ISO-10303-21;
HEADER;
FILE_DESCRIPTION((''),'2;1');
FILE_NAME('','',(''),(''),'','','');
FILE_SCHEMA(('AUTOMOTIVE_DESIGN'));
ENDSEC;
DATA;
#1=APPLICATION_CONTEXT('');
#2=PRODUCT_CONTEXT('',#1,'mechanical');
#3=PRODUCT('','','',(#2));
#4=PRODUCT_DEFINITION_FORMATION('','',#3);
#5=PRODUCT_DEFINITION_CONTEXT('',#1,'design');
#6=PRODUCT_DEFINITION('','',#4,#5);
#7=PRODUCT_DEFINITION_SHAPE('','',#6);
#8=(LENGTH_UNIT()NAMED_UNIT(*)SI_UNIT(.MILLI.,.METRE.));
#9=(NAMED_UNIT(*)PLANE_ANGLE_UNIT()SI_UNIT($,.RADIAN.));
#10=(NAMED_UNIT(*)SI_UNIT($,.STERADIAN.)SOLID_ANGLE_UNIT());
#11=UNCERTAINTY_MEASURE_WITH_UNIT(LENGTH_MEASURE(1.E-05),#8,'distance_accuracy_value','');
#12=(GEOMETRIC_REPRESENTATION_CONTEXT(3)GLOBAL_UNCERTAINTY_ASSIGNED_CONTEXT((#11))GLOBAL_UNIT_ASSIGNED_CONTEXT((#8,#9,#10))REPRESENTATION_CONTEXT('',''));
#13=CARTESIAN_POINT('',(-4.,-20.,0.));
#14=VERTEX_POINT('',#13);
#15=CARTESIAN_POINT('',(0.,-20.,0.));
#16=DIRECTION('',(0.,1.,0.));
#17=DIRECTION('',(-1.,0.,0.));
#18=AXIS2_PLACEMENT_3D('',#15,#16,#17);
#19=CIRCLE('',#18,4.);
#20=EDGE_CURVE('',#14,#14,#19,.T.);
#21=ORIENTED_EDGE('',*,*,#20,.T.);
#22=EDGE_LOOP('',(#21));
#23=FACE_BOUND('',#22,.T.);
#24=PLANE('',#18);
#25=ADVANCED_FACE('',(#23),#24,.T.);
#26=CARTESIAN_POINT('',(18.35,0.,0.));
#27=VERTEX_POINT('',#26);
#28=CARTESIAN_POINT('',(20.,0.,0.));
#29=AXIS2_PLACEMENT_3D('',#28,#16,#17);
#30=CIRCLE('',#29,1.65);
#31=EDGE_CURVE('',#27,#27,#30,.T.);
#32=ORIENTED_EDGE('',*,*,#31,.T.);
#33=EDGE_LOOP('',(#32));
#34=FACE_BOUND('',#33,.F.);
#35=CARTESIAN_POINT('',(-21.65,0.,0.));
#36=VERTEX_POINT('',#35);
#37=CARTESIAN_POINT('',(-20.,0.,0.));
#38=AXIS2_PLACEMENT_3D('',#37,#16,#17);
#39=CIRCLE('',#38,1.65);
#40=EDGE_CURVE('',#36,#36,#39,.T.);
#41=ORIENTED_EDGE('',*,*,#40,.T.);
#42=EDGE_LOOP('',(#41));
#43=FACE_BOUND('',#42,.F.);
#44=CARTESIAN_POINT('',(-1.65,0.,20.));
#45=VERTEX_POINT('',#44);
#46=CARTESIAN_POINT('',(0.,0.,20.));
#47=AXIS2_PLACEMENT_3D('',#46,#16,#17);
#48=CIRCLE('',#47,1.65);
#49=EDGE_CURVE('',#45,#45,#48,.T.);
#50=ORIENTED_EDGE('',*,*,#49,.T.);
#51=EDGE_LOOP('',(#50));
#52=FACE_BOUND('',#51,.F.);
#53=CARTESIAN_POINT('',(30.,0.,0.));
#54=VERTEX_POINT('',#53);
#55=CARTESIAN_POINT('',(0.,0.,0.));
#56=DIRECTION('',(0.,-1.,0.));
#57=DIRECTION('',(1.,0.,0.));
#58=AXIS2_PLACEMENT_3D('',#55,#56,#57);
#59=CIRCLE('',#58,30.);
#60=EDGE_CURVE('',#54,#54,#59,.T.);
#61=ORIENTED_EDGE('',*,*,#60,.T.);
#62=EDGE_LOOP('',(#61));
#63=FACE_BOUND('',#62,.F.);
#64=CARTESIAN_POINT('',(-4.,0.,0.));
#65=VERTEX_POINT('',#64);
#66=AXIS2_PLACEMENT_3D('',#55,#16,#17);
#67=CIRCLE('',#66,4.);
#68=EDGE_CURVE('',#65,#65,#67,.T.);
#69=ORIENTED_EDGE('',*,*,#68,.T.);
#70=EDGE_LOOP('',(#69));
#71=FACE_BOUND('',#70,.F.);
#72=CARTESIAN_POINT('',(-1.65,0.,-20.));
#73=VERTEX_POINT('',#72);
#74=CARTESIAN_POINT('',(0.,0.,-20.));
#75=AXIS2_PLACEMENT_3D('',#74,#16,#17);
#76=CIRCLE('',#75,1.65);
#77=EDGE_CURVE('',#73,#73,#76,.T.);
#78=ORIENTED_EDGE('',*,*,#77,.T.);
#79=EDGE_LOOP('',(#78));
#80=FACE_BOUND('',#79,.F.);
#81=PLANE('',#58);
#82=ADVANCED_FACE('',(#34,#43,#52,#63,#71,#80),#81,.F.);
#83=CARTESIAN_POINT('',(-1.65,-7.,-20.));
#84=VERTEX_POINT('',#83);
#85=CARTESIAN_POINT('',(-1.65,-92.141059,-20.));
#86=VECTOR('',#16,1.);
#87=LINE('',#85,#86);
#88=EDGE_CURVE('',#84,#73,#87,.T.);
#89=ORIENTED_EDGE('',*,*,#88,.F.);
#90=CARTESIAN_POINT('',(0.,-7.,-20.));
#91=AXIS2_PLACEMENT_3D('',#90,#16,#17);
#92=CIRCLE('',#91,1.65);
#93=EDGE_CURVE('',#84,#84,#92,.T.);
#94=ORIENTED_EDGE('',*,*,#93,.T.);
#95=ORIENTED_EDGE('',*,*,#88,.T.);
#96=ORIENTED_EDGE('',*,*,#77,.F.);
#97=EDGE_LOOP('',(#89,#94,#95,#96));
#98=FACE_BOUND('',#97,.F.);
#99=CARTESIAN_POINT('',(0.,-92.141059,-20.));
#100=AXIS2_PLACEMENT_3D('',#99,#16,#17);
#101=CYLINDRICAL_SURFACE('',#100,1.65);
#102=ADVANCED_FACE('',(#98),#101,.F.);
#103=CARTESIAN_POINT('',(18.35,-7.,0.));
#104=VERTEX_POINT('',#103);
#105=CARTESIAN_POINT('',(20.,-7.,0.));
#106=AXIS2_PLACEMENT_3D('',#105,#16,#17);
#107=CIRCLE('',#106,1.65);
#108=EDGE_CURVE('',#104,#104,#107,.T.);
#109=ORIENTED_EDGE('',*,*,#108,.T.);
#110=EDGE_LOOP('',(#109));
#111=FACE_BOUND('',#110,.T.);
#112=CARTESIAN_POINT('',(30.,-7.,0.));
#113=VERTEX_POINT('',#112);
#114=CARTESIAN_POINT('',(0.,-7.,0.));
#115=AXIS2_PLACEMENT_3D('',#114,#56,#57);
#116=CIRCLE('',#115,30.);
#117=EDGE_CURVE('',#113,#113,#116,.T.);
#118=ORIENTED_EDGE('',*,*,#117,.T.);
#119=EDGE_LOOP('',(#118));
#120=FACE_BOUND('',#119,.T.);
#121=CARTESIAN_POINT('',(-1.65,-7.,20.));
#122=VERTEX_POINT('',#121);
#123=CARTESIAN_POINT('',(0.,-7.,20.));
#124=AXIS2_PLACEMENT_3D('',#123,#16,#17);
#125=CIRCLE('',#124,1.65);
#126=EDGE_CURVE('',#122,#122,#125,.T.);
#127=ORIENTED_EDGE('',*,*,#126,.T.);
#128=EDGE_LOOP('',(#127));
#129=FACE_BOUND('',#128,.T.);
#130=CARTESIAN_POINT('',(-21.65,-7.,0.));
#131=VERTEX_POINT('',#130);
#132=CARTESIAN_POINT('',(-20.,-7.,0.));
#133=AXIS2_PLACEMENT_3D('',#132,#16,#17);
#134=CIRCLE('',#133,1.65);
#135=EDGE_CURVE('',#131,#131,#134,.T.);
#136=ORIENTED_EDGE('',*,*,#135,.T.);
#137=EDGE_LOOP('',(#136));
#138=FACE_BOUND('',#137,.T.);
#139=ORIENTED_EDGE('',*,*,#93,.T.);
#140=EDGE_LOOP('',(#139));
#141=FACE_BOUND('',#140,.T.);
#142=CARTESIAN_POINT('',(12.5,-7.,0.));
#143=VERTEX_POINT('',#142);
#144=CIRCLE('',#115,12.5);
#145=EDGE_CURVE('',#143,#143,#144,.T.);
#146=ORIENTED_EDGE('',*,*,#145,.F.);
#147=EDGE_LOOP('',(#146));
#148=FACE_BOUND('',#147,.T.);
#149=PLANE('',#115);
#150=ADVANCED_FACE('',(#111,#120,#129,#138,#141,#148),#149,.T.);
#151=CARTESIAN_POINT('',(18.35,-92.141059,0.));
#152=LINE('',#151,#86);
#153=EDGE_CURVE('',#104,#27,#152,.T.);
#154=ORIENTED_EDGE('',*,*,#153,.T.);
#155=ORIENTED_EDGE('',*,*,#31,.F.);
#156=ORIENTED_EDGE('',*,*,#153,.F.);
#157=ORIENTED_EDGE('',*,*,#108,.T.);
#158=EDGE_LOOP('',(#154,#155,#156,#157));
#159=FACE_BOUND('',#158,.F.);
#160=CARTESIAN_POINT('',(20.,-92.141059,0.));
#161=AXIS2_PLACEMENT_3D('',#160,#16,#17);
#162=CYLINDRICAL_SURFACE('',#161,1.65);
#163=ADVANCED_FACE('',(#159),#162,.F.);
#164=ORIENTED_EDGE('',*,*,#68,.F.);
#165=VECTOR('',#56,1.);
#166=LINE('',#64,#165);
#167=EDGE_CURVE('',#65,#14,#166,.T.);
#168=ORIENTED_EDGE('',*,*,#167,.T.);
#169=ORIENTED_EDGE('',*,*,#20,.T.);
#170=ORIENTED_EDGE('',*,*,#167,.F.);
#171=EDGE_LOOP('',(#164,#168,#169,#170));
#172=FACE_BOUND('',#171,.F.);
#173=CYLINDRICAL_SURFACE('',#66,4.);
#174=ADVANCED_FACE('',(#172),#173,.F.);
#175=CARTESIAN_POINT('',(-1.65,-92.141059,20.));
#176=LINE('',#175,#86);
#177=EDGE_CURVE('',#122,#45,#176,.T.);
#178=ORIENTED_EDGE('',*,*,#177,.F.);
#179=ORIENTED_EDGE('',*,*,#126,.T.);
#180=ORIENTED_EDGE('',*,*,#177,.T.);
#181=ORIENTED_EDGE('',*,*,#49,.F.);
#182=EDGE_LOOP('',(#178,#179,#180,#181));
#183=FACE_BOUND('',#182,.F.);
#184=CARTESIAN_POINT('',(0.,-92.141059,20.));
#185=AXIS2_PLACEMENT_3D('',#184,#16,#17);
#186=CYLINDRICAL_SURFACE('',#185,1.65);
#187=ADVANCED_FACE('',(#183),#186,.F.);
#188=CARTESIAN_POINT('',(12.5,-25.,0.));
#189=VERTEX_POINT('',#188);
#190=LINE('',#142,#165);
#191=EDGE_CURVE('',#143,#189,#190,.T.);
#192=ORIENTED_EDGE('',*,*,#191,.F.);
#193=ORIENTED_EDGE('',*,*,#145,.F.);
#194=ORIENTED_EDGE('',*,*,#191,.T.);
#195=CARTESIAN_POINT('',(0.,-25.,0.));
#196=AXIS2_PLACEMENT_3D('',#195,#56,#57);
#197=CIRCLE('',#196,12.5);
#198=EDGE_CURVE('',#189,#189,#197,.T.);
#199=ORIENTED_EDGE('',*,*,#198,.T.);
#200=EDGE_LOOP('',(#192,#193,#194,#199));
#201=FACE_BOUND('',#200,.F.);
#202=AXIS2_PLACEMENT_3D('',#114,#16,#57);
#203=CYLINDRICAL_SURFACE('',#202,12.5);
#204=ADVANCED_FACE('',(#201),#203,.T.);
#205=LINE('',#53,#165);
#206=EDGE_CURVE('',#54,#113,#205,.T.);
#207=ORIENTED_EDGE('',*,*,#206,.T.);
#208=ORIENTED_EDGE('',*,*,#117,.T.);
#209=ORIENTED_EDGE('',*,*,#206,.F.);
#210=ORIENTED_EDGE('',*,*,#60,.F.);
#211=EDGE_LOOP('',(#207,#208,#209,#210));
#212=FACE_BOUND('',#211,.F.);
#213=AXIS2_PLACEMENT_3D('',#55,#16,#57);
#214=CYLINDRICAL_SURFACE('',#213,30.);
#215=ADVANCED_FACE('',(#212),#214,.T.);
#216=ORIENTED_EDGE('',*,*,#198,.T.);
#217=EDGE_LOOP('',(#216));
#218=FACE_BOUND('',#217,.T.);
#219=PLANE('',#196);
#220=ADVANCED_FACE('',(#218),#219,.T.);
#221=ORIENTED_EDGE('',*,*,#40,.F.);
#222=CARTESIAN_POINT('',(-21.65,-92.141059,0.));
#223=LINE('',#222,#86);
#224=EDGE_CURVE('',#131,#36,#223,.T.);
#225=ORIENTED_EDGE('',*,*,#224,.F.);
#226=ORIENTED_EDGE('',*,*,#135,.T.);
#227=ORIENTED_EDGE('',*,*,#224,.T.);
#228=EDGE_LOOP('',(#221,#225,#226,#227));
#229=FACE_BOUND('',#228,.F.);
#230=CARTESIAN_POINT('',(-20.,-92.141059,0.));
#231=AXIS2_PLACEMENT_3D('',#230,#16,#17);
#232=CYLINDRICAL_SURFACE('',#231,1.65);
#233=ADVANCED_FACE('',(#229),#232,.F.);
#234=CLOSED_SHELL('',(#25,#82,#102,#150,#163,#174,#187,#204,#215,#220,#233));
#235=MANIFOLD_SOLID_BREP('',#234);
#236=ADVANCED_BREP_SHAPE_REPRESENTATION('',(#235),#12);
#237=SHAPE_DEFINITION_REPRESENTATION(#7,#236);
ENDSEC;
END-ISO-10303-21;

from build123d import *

# Parameters (mm, degrees)
F0_R     = 30
F1_DEPTH = 7
F3_D     = 3.3
F4_R     = 12.5
F5_DEPTH = 18
F6_R     = 4
F7_DEPTH = 20
F8_R     = 42.262069542
F9_DEPTH = 25


with BuildPart() as f1:
    # F0 (on Front) → F1 (new body)
    with BuildSketch(Plane.XZ):
        Circle(F0_R)
    extrude(amount=F1_DEPTH)

    # F3 (through all)
    with Locations(Plane.XZ.offset(7)):
        with Locations((0, 20), (20, 0), (0, -20), (-20, 0)):
            Hole(F3_D / 2)

    # F4 (on face) → F5 (join)
    with BuildSketch(Plane.XZ.offset(7)):
        Circle(F4_R)
    extrude(amount=F5_DEPTH)

    # F6 (on face) → F7 (cut)
    with BuildSketch(Plane(origin=(0, 0, 0), x_dir=(-1, 0, 0), z_dir=(0, 1, 0))):
        Circle(F6_R)
    extrude(amount=-F7_DEPTH, mode=Mode.SUBTRACT)


with BuildPart() as f9:
    # F8 (on Front) → F9 (new body)
    with BuildSketch(Plane.XZ):
        Circle(F8_R)
    extrude(amount=F9_DEPTH)


solid = f1.part
